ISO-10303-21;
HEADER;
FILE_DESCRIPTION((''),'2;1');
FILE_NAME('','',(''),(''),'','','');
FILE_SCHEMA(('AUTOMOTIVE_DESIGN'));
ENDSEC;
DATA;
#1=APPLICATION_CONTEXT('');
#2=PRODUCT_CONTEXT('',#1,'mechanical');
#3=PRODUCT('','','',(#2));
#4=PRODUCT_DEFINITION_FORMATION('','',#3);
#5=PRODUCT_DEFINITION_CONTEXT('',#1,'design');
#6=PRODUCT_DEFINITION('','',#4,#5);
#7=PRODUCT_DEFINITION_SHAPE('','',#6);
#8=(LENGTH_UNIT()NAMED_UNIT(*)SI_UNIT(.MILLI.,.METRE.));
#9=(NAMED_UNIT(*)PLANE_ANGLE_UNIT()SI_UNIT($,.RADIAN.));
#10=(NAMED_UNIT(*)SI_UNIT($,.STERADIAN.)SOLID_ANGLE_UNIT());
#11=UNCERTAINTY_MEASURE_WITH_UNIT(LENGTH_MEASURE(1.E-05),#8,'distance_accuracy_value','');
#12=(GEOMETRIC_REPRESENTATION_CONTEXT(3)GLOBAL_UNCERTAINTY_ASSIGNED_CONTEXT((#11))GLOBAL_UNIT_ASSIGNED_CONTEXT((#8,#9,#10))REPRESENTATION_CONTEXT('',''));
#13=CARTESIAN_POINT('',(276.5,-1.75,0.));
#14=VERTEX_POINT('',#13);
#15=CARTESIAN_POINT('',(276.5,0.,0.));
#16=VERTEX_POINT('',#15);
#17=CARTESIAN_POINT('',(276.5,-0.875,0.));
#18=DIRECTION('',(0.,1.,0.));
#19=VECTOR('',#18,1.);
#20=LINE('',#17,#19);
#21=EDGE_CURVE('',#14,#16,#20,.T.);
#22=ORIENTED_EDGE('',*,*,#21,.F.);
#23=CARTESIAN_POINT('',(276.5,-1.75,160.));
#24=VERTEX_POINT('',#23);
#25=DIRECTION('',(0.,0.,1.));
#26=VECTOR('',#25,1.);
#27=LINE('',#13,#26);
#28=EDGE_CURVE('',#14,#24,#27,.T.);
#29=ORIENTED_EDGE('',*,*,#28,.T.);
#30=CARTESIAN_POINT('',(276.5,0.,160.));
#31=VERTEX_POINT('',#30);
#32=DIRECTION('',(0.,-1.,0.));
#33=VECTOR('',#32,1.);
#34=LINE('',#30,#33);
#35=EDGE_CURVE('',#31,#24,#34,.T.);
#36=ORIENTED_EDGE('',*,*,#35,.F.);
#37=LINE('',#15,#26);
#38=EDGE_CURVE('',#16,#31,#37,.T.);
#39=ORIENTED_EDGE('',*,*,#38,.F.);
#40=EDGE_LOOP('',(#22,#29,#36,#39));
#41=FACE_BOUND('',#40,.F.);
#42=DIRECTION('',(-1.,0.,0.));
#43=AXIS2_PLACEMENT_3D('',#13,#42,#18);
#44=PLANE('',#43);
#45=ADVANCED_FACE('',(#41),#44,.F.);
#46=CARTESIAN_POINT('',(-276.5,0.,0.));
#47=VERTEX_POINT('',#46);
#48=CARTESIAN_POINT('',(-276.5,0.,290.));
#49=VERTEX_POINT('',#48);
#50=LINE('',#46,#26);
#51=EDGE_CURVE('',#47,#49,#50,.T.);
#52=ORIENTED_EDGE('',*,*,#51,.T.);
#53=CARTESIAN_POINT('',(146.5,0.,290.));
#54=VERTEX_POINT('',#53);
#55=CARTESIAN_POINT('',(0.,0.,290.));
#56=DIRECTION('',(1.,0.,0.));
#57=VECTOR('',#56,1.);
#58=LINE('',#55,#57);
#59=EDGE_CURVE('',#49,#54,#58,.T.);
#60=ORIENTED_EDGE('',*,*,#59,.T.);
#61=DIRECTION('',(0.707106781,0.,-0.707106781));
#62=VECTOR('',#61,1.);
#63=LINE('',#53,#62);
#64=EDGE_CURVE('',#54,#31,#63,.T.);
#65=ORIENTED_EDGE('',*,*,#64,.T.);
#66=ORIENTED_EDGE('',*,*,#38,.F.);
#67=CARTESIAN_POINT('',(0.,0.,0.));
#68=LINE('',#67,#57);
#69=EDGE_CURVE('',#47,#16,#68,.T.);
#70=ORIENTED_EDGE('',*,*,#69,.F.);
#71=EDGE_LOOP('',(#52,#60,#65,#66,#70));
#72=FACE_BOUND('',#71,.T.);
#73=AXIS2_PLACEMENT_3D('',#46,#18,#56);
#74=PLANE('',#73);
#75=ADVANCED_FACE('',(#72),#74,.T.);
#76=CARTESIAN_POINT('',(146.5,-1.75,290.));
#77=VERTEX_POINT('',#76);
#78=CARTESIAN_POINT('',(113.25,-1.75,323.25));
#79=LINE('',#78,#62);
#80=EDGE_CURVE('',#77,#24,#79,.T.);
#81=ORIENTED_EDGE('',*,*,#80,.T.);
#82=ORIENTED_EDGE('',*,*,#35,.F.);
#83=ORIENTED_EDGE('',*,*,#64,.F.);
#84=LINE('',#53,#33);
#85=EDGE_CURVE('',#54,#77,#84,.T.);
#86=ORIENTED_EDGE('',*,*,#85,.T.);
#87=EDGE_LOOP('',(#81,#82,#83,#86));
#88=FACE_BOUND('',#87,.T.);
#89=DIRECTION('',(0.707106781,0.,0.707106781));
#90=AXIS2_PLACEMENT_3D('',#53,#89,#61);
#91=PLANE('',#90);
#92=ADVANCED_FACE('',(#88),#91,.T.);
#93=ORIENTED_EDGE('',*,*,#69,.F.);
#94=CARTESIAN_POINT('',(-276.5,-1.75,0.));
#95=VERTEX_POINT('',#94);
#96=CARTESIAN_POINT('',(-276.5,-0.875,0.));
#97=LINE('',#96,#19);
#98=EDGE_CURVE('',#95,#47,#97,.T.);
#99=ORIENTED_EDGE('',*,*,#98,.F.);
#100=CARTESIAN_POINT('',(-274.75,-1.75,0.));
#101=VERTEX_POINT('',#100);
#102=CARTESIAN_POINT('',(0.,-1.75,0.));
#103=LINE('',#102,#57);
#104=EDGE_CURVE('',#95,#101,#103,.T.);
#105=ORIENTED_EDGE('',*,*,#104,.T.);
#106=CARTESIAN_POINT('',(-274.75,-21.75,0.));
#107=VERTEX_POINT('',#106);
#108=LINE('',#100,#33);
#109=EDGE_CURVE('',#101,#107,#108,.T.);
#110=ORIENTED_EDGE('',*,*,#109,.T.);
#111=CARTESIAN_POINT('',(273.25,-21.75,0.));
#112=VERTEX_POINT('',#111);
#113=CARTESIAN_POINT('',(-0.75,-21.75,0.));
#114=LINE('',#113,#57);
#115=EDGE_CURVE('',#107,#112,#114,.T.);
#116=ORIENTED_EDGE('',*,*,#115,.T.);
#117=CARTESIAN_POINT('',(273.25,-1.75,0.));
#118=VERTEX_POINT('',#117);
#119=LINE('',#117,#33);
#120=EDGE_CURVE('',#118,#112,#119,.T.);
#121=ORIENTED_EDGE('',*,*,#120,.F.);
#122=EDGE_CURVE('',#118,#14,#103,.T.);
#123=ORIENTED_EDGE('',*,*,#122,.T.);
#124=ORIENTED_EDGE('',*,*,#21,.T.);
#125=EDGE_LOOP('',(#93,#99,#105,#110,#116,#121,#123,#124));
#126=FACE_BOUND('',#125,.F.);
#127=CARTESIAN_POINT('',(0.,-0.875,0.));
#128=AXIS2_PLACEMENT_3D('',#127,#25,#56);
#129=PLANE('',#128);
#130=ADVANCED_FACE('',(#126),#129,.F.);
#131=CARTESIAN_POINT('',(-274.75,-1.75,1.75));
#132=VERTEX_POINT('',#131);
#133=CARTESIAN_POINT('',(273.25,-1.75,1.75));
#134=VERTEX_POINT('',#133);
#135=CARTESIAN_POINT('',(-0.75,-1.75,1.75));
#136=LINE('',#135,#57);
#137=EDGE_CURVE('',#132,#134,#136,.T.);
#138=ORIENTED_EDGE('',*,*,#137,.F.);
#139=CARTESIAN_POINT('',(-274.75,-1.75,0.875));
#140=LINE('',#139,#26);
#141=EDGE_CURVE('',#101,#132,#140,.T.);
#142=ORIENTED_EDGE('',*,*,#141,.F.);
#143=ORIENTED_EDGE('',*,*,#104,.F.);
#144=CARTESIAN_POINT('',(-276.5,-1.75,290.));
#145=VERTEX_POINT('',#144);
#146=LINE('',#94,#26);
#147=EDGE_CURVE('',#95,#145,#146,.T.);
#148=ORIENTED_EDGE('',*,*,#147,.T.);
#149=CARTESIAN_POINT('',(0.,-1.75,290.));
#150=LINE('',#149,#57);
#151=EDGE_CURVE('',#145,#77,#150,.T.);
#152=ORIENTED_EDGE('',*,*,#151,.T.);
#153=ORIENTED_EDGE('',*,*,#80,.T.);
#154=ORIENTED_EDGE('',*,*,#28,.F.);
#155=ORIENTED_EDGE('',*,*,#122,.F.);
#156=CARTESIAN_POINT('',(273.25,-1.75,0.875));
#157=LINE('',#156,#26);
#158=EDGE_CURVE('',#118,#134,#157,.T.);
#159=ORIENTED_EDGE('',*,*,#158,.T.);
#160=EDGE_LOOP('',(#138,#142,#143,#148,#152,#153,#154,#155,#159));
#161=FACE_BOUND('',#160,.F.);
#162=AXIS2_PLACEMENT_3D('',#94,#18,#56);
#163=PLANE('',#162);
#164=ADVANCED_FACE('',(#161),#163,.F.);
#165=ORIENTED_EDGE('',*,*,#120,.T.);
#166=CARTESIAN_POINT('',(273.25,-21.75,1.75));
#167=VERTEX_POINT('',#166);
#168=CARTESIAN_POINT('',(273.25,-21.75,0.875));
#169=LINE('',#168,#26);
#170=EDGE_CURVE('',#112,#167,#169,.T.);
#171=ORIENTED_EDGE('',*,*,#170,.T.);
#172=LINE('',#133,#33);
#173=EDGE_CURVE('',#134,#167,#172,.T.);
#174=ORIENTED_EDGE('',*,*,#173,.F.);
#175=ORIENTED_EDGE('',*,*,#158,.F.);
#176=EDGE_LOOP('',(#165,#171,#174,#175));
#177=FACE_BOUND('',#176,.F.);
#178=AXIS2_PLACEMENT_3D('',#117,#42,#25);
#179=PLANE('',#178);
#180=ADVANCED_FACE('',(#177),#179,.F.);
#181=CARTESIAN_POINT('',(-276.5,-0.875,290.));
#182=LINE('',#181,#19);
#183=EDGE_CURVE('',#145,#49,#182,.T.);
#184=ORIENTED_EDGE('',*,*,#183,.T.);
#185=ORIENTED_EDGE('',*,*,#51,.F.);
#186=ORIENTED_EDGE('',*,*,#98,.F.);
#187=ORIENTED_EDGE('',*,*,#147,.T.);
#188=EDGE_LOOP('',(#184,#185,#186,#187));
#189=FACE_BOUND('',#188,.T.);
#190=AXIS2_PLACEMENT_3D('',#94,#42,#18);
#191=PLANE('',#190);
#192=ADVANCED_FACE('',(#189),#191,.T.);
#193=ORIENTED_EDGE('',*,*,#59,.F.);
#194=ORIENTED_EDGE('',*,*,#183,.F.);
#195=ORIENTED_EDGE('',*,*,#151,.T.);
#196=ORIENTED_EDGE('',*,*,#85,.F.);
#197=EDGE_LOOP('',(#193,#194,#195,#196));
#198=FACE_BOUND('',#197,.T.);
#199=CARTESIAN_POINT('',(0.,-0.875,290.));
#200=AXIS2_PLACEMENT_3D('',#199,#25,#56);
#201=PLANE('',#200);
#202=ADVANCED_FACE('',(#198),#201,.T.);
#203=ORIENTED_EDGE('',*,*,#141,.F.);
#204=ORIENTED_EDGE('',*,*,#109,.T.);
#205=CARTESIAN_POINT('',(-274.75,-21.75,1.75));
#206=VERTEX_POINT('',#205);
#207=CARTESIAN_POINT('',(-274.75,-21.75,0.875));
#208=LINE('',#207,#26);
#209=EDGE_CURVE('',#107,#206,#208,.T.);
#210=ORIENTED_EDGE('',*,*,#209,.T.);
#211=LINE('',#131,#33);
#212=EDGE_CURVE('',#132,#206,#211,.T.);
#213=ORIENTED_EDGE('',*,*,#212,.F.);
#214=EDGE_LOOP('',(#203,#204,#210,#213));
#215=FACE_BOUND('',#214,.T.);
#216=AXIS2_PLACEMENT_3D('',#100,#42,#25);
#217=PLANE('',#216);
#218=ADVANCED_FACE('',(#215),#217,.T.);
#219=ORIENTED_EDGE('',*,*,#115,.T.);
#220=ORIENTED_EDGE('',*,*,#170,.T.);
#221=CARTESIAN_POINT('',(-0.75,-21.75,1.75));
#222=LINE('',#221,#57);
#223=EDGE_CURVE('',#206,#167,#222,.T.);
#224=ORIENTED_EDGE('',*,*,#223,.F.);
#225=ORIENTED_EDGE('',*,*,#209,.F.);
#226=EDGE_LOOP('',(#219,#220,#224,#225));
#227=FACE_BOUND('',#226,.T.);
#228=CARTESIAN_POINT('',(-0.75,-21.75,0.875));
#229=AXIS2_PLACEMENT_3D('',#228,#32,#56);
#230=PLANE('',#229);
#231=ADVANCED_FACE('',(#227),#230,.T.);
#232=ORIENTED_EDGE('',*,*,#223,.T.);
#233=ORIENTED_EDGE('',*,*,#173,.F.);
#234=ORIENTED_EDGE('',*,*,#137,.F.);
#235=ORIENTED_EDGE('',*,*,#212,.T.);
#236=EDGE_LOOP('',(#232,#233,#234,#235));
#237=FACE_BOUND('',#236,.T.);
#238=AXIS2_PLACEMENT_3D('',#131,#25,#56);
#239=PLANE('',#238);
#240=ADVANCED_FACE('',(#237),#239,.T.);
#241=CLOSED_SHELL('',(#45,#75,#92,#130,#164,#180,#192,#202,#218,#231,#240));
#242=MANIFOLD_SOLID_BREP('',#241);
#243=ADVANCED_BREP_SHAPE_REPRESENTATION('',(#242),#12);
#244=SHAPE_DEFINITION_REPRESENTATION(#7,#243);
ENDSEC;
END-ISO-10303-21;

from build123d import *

# Parameters (mm, degrees)
SZKIC2_W                    = 553
SZKIC2_H                    = 1.75
DODANIE_WYCI_GNI_CIE1_DEPTH = 290
WYTNIJ_WYCI_GNI_CIE1_DEPTH  = 10
SZKIC5_W                    = 548
SZKIC5_H                    = 1.75
DODANIE_WYCI_GNI_CIE2_DEPTH = 20


with BuildPart() as part:
    # Szkic2 → Dodanie-wyciągnięcie1 (new body)
    with BuildSketch(Plane.XY):
        with Locations((0, -0.875)):
            Rectangle(SZKIC2_W, SZKIC2_H)
    extrude(amount=DODANIE_WYCI_GNI_CIE1_DEPTH)

    # Szkic3 → Wytnij-wyciągnięcie1 (cut)
    with BuildSketch(Plane(origin=(0, 0, 0), x_dir=(1, 0, 0), z_dir=(0, 1, 0))):
        Polygon((276.5, -290), (146.5, -290), (276.5, -160), align=None)
    extrude(amount=-WYTNIJ_WYCI_GNI_CIE1_DEPTH, mode=Mode.SUBTRACT)

    # Szkic5 → Dodanie-wyciągnięcie2 (add)
    with BuildSketch(Plane.XZ.offset(1.75)):
        with Locations((-0.75, 0.875)):
            Rectangle(SZKIC5_W, SZKIC5_H)
    extrude(amount=DODANIE_WYCI_GNI_CIE2_DEPTH)


solid = part.part
